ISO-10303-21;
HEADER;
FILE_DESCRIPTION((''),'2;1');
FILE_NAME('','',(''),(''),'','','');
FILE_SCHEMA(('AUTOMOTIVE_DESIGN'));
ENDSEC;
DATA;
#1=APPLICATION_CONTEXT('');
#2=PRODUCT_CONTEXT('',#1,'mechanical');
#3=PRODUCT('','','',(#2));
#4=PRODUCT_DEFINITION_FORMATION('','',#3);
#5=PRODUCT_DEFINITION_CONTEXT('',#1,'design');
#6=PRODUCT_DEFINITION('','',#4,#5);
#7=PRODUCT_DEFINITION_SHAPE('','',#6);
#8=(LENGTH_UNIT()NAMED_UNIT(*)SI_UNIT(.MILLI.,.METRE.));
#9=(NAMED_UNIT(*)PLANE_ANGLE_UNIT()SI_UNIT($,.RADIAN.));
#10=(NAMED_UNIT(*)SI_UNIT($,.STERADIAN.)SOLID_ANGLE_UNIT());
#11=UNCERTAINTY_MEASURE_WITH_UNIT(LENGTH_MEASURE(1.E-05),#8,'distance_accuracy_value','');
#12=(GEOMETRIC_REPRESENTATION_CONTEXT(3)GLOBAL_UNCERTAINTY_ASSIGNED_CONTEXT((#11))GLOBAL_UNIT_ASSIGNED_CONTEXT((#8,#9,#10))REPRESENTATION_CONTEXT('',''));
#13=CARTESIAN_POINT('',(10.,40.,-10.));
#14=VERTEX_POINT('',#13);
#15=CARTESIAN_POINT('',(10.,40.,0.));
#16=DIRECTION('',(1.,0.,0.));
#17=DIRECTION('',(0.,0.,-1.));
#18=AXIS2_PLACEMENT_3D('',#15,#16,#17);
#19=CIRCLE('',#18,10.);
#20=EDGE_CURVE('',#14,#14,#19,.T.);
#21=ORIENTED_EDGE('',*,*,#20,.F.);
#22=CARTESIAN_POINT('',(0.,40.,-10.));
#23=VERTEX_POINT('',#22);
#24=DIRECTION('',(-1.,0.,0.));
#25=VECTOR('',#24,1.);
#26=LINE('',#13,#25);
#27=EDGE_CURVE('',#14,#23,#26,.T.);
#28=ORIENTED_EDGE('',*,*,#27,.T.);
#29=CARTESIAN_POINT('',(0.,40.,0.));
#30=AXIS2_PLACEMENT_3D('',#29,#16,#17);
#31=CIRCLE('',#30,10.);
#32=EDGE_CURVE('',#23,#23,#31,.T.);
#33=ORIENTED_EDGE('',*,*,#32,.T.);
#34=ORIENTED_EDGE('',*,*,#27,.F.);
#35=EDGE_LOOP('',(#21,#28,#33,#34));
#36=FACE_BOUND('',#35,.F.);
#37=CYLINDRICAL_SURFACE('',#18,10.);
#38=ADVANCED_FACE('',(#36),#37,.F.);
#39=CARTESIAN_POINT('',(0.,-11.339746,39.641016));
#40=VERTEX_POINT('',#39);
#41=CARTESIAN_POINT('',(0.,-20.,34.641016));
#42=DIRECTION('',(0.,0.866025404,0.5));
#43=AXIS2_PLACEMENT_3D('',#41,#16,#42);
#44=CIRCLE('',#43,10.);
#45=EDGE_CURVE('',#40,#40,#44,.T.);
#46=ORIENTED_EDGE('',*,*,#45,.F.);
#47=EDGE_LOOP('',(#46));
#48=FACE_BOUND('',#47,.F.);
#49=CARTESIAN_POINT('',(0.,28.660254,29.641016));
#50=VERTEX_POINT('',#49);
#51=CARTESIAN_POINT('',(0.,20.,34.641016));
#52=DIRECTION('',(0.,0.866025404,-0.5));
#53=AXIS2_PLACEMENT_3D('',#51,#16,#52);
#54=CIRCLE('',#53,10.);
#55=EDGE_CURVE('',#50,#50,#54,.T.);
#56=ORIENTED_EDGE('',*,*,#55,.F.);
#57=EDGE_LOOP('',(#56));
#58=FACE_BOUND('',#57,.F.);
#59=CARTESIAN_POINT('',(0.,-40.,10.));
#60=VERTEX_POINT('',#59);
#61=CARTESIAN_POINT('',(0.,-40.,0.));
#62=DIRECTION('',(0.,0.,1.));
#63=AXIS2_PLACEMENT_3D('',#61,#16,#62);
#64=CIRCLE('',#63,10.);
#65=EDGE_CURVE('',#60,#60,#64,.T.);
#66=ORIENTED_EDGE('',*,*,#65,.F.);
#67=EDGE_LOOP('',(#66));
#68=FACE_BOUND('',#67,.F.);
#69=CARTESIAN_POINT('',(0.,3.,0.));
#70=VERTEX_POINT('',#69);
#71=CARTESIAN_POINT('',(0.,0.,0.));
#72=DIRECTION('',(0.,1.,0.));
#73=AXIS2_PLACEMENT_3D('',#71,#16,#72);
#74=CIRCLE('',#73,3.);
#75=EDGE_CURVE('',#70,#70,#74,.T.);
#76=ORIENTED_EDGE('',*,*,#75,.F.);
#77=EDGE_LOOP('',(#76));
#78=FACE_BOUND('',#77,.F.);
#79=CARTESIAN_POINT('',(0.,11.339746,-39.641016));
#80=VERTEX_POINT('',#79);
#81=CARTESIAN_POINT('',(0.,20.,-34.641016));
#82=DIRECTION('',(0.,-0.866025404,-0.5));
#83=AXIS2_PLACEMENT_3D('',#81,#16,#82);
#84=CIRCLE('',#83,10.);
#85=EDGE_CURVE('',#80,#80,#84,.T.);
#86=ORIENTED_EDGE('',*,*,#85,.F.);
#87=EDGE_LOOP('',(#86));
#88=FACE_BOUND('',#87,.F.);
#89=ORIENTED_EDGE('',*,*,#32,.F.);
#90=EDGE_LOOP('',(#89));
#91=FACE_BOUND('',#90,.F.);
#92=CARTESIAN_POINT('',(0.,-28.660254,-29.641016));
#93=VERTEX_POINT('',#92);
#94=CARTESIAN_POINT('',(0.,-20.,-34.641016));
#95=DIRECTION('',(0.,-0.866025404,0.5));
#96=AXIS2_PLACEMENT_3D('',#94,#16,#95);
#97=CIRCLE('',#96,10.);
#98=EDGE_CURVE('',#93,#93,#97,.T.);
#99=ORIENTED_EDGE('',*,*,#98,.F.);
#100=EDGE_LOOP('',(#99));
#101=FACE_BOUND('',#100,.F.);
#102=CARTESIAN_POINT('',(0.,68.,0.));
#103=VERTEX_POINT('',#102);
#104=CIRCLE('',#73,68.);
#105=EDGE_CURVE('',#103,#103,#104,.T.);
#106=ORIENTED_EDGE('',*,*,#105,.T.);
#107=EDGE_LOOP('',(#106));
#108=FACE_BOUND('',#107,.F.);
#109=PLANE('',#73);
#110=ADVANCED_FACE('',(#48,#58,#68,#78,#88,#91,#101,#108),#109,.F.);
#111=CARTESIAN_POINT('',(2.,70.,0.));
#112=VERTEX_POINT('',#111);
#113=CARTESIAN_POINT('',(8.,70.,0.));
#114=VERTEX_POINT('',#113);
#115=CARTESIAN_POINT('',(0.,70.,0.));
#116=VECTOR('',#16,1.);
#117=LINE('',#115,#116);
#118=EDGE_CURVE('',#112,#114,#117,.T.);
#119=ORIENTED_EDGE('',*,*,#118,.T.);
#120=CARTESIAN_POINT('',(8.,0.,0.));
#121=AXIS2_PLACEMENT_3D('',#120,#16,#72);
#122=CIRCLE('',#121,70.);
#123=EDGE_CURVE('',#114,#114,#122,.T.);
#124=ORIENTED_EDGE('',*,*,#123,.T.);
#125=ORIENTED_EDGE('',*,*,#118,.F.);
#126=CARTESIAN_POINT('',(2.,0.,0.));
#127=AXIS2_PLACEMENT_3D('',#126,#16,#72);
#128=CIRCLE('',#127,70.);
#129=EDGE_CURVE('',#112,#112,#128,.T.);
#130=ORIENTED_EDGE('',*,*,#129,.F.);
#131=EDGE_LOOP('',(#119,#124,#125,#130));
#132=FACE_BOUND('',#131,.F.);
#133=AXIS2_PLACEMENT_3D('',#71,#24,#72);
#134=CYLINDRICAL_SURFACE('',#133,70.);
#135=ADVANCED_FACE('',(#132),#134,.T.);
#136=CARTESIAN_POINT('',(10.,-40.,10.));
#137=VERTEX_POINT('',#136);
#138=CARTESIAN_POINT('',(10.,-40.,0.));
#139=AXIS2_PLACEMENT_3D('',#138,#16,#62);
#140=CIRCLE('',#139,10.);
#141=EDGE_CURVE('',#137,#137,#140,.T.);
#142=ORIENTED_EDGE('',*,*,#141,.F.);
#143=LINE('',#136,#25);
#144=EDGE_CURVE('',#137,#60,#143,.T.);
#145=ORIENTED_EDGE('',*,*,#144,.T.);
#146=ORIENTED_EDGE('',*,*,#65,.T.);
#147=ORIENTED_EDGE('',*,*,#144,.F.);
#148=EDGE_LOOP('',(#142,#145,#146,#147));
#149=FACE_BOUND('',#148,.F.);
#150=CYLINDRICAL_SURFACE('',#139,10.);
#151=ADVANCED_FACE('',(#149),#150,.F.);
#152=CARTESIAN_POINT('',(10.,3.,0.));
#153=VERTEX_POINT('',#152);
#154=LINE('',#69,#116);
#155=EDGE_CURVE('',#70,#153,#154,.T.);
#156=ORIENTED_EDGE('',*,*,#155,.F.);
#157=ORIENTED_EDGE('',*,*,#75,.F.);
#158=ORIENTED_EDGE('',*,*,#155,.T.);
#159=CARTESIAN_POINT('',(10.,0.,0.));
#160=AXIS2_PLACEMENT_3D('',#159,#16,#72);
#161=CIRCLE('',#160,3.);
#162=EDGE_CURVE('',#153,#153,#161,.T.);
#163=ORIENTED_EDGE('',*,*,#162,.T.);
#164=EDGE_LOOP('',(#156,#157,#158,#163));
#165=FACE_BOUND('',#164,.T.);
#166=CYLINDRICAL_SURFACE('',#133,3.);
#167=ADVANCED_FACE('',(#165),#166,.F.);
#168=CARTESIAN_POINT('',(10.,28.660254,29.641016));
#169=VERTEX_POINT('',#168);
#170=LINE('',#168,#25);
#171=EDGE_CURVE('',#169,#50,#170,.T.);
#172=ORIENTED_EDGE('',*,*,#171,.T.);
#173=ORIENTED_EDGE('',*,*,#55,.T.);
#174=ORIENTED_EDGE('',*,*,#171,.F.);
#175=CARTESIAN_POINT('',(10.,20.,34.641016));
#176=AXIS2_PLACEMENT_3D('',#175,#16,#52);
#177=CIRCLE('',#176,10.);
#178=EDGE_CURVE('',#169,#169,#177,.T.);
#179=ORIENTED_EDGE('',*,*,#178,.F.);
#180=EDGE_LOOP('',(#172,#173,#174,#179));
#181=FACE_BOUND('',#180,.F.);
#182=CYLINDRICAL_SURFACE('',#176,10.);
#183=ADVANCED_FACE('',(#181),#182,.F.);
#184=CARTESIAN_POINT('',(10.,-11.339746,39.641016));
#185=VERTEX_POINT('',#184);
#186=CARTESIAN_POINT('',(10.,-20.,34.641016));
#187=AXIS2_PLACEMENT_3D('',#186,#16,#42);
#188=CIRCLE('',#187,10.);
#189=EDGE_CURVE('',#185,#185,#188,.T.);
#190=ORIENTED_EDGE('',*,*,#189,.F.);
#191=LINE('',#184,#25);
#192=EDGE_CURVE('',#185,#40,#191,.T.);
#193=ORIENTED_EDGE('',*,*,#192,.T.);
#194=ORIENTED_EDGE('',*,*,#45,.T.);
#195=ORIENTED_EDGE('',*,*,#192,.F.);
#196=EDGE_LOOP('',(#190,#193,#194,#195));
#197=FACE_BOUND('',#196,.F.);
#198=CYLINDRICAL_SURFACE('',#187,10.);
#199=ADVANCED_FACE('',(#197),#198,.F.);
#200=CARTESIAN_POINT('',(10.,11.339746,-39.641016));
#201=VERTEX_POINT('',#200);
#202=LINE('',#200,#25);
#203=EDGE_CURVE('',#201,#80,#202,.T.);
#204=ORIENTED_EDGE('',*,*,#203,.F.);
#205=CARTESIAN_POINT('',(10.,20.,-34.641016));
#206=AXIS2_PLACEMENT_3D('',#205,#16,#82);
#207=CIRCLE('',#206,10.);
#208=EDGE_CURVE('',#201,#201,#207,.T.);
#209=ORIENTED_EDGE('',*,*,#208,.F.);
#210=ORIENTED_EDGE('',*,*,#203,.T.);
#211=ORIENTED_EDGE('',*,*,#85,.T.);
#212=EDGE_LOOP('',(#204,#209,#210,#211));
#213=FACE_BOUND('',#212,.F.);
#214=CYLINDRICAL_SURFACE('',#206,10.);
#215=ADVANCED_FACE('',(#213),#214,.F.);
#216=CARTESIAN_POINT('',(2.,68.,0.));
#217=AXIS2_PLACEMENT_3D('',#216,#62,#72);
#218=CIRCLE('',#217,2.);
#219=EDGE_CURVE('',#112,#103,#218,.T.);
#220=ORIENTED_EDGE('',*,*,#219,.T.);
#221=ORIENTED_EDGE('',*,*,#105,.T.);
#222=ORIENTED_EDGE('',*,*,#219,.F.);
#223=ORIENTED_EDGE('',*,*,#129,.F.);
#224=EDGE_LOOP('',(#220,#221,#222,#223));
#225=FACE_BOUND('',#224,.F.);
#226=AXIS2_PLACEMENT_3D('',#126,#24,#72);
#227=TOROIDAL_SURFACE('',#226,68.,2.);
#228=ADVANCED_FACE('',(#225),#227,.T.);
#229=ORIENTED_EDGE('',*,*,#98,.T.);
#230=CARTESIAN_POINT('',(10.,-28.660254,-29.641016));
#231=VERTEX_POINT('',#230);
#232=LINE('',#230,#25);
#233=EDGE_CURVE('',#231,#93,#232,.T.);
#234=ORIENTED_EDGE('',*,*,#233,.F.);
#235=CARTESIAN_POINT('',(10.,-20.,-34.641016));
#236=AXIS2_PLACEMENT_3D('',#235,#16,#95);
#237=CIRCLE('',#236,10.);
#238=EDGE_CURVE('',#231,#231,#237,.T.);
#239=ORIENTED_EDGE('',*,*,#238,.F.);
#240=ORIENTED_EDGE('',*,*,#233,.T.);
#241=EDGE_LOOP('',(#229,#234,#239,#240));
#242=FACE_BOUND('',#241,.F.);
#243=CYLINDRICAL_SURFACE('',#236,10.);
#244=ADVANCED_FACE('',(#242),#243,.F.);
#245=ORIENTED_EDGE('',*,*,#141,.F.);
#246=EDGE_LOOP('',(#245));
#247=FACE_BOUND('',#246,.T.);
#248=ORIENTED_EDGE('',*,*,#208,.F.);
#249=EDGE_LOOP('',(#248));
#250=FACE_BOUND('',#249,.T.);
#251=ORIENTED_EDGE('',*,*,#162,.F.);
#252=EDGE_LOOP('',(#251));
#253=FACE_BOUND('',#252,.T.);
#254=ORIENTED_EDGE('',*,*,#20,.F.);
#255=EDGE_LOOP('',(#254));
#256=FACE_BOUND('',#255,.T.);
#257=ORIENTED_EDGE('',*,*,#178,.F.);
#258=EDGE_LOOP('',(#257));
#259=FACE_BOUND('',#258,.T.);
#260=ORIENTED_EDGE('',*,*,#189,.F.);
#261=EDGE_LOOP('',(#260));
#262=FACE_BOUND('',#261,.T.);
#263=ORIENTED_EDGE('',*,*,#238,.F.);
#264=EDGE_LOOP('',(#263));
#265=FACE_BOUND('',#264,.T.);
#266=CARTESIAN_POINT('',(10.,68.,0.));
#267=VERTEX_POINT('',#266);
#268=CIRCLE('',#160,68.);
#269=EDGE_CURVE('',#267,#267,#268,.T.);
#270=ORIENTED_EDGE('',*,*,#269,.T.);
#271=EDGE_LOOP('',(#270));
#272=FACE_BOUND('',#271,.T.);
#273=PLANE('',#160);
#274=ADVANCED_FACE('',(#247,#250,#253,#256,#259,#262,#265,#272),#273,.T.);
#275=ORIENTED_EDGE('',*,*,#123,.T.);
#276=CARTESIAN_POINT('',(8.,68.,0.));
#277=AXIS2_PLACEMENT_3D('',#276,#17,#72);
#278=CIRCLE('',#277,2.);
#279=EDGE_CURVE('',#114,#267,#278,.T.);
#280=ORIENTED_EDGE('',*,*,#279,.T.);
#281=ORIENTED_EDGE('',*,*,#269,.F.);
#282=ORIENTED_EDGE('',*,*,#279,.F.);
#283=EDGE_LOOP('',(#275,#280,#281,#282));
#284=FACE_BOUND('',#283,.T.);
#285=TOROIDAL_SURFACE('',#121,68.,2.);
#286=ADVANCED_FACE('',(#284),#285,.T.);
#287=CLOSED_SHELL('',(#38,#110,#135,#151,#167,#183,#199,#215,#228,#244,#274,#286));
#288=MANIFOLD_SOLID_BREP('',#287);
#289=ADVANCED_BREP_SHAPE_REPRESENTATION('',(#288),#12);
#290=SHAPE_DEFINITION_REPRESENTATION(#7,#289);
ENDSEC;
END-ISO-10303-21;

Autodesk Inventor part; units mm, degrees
ref_plane "YZ Plane" through (0, 0, 0) normal (1, 0, 0) x (0, 1, 0)
ref_plane "XY Plane" through (0, 0, 0) normal (0, 0, 1) x (1, 0, 0)
sketch "Sketch1" plane through (0, 0, 0) normal (1, 0, 0) x (0, 1, 0)
  circle A0 centre (0, 0) radius 3
  circle A1 centre (0, 0) radius 70
  dimension "d0" = 140
  dimension "d1" = 6
extrude "Extrusion1" add sketch "Sketch1" along normal blind 10
fillet "Fillet1" radius 2 2 edges at (10, -70, 0) (0, -70, 0)
sketch "Sketch2" plane through (10, 0, 0) normal (1, 0, 0) x (0, 0, -1)
  circle A0 centre (0, 40) radius 10
  circle A1 centre (0, 0) radius 3 projected
  dimension "d5" = 20
  dimension "d6" = 40
extrude "Extrusion2" cut sketch "Sketch2" against normal blind 10 contours A0
pattern_circular "Circular Pattern1" count 6 over 360 about axis through (0, 0, 0) along (1, 0, 0) of "Extrusion2"
ref_plane "Work Plane1" through (0, -70, 0) normal (0, 1, 0) x (-1, 0, 0)
properties part number "05_Banh_xe" material "Acetal Resin, Black"
